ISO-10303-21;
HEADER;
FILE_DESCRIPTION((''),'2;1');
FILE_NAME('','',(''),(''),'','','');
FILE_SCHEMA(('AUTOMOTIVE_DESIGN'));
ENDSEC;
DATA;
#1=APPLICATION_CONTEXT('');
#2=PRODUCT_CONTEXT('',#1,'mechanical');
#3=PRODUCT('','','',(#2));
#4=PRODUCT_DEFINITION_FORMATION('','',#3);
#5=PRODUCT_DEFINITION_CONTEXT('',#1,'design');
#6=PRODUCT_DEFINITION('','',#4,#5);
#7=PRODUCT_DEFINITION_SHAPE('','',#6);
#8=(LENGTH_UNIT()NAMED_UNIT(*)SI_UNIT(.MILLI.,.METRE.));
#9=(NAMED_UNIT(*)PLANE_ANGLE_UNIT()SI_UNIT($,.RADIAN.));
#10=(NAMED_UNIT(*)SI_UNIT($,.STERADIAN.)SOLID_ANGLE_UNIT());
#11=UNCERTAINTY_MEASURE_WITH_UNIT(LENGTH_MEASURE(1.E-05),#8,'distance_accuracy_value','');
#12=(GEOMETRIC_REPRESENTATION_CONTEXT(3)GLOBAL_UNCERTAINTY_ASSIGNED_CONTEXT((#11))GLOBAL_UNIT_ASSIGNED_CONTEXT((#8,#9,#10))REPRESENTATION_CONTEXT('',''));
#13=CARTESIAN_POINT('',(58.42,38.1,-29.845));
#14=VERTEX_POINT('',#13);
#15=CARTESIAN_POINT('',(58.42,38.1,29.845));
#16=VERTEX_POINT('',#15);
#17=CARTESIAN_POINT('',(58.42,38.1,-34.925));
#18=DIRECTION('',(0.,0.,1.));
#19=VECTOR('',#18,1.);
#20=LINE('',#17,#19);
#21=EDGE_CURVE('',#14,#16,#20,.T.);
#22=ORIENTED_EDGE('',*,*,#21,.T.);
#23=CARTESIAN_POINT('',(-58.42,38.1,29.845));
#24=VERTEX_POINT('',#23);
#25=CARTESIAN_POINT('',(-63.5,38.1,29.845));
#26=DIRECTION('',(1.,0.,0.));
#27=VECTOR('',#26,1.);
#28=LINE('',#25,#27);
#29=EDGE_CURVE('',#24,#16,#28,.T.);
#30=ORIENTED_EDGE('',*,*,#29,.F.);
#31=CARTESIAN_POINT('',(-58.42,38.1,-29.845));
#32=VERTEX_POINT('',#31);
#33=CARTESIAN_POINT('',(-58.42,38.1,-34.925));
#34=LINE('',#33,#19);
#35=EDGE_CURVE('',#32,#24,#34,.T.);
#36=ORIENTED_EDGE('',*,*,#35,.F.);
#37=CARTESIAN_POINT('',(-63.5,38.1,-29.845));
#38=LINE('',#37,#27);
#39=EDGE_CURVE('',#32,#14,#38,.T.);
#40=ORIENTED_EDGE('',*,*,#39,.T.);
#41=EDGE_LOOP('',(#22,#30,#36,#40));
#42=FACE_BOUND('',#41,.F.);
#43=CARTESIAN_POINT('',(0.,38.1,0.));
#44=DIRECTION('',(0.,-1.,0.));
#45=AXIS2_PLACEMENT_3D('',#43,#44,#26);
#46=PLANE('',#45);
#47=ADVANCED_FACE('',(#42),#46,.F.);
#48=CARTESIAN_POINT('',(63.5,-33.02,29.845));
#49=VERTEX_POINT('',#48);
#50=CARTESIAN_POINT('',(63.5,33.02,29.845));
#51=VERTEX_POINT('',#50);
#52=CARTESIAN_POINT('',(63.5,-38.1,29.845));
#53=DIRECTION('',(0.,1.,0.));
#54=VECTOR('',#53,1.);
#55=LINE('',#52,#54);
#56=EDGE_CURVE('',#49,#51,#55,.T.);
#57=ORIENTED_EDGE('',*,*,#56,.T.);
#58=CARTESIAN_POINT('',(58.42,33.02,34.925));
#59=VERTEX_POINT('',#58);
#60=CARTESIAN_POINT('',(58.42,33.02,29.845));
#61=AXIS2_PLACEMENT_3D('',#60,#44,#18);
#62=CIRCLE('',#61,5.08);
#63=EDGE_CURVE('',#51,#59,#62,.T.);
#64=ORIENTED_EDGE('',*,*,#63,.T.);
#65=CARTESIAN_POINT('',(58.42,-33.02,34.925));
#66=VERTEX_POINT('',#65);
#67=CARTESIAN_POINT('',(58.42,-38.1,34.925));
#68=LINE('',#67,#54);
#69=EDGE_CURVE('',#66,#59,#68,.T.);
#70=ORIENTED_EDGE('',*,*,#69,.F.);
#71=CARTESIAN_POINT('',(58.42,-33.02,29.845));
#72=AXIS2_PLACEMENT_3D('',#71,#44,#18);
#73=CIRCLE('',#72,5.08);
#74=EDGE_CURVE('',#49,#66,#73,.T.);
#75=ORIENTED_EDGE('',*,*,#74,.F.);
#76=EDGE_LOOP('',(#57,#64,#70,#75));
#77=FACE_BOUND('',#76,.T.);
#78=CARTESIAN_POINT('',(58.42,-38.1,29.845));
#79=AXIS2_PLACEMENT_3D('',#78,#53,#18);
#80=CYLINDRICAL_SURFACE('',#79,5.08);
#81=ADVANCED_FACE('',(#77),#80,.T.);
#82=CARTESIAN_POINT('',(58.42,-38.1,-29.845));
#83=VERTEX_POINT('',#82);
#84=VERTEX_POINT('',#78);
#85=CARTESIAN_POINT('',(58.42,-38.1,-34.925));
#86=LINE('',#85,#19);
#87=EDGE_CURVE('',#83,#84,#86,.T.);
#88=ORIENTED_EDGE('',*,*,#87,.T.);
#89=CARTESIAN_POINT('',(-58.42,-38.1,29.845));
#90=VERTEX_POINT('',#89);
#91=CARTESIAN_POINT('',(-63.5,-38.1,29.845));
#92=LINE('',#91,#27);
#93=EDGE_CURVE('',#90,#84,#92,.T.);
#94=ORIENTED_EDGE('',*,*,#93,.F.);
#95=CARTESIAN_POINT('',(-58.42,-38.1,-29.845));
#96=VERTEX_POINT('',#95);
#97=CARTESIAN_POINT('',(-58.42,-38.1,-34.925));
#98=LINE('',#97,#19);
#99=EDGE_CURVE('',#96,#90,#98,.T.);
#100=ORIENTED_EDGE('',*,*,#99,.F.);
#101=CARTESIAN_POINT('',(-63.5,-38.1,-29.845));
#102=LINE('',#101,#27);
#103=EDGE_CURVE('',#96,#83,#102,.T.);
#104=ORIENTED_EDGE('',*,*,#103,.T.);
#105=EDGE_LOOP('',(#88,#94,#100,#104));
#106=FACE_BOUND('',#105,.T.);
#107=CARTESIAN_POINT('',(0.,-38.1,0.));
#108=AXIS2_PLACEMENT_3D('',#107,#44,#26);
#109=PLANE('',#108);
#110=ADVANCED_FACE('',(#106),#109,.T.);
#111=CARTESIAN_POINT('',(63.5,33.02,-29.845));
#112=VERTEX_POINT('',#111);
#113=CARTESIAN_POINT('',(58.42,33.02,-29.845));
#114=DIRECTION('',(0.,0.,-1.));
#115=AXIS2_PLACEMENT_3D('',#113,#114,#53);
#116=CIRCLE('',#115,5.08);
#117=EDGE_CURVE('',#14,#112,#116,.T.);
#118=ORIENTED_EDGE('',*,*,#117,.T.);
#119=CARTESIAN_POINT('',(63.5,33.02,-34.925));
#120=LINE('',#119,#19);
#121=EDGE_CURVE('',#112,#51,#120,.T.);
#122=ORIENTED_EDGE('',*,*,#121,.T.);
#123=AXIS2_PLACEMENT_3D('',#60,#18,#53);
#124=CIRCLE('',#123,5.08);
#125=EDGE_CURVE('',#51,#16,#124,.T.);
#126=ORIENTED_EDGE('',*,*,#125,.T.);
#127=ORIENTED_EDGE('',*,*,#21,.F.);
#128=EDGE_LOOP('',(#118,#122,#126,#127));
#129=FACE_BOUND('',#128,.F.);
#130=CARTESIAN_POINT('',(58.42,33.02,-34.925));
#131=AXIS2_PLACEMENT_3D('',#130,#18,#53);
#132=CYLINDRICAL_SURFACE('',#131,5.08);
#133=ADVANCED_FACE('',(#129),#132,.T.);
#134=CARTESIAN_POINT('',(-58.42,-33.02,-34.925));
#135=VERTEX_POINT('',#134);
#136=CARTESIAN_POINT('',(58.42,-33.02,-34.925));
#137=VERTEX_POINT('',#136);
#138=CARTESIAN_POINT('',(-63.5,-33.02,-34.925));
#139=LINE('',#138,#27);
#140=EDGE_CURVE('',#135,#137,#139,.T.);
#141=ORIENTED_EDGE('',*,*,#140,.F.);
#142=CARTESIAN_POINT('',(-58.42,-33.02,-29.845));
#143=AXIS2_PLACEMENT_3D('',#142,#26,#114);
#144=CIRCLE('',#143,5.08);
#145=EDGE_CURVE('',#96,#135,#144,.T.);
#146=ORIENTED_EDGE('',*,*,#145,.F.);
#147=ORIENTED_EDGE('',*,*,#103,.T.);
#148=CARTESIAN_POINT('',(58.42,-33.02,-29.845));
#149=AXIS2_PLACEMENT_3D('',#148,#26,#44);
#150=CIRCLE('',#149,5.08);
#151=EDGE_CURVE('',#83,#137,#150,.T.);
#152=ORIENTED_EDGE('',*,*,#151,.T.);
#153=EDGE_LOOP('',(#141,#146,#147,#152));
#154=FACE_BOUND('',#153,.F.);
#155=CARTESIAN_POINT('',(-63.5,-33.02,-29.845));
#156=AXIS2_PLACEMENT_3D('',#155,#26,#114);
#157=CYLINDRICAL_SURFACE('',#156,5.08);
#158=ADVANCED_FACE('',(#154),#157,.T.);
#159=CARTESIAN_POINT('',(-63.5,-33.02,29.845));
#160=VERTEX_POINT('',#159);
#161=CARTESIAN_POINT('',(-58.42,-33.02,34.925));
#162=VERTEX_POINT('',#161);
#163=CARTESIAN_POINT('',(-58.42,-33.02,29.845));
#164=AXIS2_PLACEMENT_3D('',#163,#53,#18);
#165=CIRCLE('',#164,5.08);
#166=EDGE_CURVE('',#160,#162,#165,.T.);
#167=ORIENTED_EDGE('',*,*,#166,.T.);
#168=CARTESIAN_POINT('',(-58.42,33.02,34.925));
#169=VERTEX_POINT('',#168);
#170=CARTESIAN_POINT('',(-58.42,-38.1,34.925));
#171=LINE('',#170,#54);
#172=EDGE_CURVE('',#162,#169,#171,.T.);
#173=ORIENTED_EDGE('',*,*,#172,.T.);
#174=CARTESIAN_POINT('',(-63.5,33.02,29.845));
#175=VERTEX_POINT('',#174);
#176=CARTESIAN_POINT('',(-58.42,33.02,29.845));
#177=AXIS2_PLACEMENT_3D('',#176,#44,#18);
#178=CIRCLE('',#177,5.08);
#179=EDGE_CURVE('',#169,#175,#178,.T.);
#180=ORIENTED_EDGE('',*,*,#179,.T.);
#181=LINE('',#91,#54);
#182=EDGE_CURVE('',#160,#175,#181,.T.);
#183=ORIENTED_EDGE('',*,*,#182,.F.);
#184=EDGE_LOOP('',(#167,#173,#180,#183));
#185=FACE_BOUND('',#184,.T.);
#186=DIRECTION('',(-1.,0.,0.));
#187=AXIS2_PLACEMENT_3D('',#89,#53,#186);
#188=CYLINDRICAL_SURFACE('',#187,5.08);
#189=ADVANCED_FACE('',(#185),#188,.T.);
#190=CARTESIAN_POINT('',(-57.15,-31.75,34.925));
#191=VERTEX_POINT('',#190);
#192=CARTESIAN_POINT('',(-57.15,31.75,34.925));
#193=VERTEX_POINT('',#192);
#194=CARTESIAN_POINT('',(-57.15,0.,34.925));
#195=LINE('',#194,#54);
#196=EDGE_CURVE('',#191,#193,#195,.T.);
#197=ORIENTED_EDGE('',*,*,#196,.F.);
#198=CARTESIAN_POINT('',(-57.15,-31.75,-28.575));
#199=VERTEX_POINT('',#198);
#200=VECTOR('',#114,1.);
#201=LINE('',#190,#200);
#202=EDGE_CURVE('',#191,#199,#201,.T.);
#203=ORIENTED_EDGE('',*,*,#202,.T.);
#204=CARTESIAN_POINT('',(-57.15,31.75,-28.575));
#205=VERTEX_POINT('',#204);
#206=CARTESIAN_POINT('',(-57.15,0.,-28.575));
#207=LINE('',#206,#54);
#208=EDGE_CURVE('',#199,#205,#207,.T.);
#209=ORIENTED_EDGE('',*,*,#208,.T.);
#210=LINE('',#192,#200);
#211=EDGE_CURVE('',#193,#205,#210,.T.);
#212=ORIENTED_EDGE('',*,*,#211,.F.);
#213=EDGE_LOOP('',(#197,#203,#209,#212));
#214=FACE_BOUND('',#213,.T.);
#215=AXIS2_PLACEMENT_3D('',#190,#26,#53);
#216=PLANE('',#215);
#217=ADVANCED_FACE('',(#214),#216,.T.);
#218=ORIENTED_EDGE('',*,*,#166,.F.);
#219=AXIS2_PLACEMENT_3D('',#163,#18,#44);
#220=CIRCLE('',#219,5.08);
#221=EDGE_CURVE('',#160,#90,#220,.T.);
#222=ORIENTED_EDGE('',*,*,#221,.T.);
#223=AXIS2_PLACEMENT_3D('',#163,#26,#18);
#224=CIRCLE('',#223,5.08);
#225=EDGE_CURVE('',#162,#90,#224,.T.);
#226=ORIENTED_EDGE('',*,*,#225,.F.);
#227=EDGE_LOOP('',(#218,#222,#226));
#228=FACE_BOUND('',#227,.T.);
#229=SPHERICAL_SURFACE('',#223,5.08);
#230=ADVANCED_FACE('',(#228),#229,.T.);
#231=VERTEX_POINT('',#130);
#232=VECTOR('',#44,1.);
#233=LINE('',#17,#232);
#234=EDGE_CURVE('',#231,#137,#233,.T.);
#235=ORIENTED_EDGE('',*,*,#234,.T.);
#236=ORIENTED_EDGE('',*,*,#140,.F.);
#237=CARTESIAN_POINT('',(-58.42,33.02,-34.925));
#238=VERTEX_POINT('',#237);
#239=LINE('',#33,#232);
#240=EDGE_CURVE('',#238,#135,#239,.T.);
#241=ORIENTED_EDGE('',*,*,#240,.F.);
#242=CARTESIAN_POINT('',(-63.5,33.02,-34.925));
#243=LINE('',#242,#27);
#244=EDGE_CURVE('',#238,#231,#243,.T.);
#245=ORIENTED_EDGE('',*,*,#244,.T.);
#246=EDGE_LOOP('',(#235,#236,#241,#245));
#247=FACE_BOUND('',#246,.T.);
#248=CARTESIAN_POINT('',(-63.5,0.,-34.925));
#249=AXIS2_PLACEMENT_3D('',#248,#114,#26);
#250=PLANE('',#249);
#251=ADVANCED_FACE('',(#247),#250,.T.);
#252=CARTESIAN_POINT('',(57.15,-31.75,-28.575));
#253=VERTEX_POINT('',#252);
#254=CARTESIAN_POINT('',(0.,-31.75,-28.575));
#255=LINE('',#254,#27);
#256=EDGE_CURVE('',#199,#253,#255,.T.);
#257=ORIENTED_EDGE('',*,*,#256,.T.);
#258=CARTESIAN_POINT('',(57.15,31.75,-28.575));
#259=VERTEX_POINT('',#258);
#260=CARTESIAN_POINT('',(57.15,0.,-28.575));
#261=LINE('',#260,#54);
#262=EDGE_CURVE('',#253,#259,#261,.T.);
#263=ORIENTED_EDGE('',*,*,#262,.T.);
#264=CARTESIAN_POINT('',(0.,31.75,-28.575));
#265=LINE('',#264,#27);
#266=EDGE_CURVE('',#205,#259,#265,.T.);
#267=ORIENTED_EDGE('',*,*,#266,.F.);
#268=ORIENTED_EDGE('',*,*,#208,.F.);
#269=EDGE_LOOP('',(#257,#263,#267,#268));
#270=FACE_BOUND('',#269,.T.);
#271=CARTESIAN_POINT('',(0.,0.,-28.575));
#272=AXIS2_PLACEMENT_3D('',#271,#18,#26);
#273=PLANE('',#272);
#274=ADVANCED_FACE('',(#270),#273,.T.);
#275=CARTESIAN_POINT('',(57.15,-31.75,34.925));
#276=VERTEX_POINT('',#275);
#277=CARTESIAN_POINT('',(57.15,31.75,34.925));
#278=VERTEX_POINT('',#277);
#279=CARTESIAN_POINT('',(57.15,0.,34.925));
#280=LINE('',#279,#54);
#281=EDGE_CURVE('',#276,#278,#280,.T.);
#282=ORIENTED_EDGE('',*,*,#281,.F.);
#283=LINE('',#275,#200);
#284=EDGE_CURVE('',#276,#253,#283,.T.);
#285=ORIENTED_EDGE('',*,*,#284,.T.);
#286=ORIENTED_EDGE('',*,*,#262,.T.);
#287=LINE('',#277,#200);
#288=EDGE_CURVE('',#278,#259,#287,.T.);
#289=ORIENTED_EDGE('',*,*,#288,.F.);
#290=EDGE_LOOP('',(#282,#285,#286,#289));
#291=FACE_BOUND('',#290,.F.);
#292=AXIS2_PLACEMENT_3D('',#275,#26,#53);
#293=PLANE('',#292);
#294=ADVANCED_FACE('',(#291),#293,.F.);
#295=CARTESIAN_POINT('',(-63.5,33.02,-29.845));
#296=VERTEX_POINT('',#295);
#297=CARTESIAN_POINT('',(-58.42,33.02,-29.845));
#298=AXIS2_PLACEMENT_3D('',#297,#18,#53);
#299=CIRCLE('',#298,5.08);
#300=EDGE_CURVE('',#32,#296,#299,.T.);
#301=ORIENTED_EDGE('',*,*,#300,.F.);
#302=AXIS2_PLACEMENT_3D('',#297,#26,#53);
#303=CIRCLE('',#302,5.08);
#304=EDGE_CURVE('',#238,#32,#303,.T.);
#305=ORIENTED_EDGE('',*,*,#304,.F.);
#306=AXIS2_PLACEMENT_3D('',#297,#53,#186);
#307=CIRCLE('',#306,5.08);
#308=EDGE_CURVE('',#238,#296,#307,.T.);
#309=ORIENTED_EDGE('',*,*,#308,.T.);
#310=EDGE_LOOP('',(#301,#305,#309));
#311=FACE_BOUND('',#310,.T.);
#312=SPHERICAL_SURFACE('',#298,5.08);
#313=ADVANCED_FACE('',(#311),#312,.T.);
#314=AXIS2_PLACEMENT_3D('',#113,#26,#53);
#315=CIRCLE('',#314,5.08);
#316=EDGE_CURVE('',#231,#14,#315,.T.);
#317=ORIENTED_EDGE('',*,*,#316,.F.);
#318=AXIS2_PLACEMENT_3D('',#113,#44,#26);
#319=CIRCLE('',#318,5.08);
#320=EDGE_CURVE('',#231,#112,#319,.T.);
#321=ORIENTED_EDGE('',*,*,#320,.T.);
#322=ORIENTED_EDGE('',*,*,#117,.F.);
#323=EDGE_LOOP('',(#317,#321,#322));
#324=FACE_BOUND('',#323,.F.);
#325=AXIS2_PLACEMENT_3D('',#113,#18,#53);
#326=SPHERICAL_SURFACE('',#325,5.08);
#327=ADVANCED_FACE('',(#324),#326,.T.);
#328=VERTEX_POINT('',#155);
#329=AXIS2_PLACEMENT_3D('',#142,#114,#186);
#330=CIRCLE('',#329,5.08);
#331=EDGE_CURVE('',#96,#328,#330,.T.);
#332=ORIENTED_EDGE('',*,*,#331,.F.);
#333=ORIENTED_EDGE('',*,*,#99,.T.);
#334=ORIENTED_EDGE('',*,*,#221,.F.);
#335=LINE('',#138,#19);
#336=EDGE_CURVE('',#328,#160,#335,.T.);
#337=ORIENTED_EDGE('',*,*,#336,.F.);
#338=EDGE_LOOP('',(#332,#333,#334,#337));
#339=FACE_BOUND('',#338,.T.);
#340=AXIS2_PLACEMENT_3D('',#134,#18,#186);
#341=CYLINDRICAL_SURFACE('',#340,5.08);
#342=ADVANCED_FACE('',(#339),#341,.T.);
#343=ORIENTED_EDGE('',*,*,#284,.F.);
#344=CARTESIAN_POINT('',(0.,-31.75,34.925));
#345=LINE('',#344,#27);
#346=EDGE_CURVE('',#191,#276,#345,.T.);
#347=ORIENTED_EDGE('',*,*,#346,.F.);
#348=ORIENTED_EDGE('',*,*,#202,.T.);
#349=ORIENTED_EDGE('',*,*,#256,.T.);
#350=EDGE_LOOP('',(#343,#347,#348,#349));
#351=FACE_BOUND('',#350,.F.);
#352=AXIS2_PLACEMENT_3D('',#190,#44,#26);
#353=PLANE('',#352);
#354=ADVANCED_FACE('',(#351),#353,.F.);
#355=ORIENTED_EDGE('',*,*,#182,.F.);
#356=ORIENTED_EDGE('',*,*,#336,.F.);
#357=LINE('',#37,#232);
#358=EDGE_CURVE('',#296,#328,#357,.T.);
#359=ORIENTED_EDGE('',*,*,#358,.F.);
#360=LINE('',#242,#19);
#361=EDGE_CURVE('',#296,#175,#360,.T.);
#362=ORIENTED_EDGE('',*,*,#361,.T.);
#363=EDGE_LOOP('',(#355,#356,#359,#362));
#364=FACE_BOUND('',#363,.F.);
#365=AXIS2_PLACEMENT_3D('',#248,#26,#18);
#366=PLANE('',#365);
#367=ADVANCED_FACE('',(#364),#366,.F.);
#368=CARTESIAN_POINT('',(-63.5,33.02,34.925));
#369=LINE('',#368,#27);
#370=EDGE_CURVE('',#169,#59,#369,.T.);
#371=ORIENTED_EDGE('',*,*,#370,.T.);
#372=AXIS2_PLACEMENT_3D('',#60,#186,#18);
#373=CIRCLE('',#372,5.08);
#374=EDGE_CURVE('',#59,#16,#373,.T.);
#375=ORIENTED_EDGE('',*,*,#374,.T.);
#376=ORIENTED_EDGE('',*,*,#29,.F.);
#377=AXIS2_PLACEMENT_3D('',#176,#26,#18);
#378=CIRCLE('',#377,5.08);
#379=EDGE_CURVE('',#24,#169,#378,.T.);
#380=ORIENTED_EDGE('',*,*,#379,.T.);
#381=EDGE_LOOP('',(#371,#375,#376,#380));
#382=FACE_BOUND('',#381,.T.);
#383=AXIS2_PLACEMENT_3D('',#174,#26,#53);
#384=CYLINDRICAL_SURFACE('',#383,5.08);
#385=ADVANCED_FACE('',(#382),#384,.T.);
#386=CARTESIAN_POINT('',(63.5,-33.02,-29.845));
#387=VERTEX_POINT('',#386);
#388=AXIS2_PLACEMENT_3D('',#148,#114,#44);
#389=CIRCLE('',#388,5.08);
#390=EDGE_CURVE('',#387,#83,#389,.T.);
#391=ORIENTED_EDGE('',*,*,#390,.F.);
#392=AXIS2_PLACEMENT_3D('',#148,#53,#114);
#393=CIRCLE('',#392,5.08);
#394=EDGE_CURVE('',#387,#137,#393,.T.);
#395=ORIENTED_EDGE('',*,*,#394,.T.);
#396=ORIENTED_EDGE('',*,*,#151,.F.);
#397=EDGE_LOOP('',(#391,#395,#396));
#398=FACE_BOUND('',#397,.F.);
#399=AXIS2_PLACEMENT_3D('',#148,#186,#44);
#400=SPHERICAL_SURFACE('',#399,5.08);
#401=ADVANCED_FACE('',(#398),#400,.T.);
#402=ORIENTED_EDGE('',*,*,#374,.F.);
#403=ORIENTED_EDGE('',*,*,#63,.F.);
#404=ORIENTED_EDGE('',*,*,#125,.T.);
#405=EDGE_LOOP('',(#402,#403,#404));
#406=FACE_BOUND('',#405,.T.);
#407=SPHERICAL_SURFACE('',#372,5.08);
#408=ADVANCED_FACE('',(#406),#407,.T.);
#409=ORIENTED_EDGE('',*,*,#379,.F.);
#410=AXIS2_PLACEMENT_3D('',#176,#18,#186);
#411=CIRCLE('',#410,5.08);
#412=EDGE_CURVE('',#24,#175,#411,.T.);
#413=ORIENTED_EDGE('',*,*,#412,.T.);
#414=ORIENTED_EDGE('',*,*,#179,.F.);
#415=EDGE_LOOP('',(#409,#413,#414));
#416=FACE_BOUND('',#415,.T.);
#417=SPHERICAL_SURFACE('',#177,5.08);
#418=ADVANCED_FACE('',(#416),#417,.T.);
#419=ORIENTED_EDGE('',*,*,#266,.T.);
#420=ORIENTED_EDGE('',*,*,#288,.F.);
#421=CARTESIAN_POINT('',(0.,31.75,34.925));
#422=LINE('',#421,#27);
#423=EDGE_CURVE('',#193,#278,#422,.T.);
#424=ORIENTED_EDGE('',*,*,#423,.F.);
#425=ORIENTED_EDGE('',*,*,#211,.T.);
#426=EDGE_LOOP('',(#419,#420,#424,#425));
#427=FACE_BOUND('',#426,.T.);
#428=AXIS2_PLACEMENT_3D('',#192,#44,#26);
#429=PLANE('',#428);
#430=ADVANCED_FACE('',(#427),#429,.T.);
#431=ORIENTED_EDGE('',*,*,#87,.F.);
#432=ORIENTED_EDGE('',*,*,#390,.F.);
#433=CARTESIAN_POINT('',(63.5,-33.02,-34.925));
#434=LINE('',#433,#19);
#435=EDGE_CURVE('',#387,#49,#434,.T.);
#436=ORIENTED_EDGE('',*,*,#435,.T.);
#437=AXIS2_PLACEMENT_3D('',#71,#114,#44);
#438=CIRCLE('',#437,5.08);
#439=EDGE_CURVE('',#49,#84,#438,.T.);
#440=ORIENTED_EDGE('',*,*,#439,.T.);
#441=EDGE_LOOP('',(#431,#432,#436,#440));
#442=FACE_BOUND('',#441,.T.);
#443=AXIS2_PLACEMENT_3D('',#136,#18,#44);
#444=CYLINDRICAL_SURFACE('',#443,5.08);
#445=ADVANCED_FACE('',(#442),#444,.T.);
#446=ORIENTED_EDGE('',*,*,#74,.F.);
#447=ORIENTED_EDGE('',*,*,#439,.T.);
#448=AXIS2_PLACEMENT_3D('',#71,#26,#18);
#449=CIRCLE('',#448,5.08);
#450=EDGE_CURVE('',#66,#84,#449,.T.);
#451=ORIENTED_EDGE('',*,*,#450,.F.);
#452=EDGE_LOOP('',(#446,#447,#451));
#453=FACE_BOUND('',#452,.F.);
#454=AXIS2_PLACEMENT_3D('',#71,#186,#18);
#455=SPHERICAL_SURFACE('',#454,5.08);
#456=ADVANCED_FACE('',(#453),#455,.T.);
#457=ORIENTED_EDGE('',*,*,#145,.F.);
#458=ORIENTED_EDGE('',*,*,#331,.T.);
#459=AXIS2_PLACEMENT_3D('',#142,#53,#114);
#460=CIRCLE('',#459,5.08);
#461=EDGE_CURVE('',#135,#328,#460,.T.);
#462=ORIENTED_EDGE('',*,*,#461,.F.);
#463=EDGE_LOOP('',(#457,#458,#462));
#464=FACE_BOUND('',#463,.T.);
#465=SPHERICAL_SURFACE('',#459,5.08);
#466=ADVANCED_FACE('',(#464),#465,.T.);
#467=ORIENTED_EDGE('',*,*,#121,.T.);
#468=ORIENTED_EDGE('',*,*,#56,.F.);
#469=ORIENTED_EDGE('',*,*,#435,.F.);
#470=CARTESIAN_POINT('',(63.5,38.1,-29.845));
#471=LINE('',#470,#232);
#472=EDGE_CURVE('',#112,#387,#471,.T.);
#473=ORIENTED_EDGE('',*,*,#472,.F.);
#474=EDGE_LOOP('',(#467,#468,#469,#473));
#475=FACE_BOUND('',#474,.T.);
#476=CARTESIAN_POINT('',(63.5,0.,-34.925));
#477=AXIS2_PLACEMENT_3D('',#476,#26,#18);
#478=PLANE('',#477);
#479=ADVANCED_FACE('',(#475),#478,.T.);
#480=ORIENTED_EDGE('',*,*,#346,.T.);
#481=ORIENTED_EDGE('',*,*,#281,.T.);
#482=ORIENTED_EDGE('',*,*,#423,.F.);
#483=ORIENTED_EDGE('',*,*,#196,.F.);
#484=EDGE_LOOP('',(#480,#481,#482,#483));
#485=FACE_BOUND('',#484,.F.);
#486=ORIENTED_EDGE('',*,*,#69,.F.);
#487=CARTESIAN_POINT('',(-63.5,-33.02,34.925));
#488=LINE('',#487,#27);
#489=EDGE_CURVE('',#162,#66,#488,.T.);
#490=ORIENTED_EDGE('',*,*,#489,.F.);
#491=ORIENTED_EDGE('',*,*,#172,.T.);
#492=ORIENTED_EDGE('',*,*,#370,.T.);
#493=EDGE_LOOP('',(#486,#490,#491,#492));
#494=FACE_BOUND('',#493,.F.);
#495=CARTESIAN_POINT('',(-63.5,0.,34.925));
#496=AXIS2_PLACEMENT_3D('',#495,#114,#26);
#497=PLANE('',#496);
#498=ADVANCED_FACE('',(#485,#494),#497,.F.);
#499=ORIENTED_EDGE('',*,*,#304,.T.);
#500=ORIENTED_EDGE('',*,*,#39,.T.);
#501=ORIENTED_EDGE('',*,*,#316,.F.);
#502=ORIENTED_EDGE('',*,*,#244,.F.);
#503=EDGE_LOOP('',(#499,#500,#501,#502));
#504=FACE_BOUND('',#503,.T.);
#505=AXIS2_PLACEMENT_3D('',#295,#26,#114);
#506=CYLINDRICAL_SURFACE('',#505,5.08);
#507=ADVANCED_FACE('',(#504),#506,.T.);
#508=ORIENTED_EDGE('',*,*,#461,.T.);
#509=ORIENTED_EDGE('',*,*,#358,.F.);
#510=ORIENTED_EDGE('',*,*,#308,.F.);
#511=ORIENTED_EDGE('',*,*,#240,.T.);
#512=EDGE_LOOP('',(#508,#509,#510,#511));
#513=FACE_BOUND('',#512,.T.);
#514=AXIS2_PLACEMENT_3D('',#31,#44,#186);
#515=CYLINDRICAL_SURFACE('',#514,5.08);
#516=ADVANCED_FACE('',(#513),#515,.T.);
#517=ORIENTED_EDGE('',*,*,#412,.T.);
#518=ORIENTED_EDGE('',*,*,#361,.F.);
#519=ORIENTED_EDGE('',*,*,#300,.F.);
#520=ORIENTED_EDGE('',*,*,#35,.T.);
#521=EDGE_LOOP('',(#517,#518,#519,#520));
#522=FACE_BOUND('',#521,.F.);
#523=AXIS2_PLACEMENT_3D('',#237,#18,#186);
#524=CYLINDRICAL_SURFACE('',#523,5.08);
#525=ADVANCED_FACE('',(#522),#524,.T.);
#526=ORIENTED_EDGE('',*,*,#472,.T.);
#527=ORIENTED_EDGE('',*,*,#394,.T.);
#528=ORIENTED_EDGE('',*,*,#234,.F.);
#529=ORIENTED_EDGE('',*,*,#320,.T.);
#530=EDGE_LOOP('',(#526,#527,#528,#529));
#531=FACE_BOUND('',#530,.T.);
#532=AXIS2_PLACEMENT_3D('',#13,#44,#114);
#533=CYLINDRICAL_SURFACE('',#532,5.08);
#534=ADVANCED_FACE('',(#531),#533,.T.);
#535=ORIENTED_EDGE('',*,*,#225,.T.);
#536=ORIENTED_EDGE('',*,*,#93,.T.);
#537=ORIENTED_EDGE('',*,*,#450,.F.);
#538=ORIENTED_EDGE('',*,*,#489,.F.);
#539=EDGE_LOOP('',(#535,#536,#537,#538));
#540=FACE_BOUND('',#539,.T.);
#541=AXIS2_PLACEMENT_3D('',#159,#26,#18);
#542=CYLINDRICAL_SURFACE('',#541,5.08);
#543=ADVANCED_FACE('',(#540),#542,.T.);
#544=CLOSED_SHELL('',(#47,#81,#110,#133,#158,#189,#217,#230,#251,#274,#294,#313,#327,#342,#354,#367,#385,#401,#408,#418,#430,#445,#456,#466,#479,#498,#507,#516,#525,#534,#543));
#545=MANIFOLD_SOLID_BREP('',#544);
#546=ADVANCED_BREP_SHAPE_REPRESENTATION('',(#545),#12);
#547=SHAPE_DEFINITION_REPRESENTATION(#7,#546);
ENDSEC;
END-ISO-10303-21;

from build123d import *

# Parameters (mm, degrees)
F0_W     = 127
F0_H     = 69.85
F1_DEPTH = 38.1
F2_W     = 114.3
F2_H     = 63.5
F3_DEPTH = 63.5
F4_R     = 5.08


with BuildPart() as f1:
    # F0 (on Front) → F1 (new body, symmetric)
    with BuildSketch(Plane.XZ):
        Rectangle(F0_W, F0_H)
    extrude(amount=F1_DEPTH, both=True)

    # F2 (on face) → F3 (cut)
    with BuildSketch(Plane.XY.offset(34.925)):
        Rectangle(F2_W, F2_H)
    extrude(amount=-F3_DEPTH, mode=Mode.SUBTRACT)

    # F4
    f4_edges = [f1.edges().sort_by_distance(p)[0] for p in [
        (0, -38.1, 34.925),
        (-63.5, 0, 34.925),
        (0, 38.1, 34.925),
        (63.5, 0, 34.925),
        (63.5, 38.1, 0),
        (-63.5, 38.1, 0),
        (0, 38.1, -34.925),
        (-63.5, 0, -34.925),
        (0, -38.1, -34.925),
        (63.5, -38.1, 0),
        (63.5, 0, -34.925),
        (-63.5, -38.1, 0),
    ]]
    fillet(f4_edges, radius=F4_R)


solid = f1.part
